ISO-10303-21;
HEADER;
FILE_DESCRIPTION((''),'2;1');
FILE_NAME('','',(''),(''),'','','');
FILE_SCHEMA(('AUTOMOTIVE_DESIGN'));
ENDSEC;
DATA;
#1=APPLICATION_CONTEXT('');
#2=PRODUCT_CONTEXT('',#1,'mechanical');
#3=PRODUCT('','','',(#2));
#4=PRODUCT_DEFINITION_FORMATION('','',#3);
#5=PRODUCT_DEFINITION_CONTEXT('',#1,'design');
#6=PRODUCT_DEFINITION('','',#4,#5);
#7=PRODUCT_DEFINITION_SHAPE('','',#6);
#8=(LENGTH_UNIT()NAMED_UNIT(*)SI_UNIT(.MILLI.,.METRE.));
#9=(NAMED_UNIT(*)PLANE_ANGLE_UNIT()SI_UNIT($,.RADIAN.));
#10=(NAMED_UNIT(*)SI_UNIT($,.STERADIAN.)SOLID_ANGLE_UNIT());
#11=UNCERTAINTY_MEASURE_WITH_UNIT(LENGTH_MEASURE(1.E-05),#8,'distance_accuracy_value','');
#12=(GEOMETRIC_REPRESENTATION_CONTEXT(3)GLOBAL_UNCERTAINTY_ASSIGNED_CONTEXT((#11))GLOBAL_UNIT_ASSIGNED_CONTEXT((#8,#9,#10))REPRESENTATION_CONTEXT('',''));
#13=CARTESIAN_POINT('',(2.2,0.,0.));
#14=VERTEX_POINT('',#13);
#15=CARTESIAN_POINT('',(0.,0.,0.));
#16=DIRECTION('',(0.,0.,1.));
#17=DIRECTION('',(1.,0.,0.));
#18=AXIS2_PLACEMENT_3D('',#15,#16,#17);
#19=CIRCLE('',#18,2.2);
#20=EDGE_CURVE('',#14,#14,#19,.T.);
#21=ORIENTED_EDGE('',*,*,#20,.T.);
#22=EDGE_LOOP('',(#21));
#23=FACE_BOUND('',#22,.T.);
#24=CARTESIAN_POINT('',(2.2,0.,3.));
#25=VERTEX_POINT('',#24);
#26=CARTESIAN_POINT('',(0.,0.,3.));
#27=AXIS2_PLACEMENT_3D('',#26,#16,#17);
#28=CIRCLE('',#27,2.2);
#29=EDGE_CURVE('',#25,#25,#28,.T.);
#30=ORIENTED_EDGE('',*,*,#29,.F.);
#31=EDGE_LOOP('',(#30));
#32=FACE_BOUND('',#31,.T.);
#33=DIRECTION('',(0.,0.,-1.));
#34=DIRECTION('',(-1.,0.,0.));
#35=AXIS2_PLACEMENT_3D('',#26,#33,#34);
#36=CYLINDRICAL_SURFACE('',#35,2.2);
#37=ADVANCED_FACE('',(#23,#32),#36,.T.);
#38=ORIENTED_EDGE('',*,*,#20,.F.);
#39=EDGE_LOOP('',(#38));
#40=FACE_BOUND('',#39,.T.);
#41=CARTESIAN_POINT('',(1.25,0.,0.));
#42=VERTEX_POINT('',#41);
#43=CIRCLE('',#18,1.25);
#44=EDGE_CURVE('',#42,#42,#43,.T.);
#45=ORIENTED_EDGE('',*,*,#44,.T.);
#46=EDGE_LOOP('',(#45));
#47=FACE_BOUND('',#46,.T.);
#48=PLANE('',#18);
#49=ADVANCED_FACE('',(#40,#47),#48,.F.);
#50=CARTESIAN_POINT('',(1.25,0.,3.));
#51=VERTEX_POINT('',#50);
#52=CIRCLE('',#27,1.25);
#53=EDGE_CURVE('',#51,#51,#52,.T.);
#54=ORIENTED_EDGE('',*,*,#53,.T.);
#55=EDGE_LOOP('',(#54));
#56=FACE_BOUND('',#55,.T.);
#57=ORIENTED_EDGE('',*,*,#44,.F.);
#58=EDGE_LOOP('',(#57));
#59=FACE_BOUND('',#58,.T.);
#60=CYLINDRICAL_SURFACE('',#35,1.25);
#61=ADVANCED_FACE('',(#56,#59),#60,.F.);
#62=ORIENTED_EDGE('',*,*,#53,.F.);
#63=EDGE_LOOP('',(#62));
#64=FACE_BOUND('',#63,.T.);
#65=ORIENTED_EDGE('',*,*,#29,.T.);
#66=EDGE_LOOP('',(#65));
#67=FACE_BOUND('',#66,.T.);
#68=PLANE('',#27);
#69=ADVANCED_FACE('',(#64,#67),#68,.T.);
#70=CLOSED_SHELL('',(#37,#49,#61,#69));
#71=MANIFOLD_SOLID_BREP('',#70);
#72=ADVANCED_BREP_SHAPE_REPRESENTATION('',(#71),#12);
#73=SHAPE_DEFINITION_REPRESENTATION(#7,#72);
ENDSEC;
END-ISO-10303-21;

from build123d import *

# Parameters (mm, degrees)
SKETCH_1_R      = 2.2
SKETCH_1_R_2    = 1.25
EXTRUDE_2_DEPTH = 3


with BuildPart() as part:
    # 草图1 → 凸台-拉伸2 (new body)
    with BuildSketch(Plane.XY):
        Circle(SKETCH_1_R)
        Circle(SKETCH_1_R_2, mode=Mode.SUBTRACT)
    extrude(amount=EXTRUDE_2_DEPTH)


solid = part.part
